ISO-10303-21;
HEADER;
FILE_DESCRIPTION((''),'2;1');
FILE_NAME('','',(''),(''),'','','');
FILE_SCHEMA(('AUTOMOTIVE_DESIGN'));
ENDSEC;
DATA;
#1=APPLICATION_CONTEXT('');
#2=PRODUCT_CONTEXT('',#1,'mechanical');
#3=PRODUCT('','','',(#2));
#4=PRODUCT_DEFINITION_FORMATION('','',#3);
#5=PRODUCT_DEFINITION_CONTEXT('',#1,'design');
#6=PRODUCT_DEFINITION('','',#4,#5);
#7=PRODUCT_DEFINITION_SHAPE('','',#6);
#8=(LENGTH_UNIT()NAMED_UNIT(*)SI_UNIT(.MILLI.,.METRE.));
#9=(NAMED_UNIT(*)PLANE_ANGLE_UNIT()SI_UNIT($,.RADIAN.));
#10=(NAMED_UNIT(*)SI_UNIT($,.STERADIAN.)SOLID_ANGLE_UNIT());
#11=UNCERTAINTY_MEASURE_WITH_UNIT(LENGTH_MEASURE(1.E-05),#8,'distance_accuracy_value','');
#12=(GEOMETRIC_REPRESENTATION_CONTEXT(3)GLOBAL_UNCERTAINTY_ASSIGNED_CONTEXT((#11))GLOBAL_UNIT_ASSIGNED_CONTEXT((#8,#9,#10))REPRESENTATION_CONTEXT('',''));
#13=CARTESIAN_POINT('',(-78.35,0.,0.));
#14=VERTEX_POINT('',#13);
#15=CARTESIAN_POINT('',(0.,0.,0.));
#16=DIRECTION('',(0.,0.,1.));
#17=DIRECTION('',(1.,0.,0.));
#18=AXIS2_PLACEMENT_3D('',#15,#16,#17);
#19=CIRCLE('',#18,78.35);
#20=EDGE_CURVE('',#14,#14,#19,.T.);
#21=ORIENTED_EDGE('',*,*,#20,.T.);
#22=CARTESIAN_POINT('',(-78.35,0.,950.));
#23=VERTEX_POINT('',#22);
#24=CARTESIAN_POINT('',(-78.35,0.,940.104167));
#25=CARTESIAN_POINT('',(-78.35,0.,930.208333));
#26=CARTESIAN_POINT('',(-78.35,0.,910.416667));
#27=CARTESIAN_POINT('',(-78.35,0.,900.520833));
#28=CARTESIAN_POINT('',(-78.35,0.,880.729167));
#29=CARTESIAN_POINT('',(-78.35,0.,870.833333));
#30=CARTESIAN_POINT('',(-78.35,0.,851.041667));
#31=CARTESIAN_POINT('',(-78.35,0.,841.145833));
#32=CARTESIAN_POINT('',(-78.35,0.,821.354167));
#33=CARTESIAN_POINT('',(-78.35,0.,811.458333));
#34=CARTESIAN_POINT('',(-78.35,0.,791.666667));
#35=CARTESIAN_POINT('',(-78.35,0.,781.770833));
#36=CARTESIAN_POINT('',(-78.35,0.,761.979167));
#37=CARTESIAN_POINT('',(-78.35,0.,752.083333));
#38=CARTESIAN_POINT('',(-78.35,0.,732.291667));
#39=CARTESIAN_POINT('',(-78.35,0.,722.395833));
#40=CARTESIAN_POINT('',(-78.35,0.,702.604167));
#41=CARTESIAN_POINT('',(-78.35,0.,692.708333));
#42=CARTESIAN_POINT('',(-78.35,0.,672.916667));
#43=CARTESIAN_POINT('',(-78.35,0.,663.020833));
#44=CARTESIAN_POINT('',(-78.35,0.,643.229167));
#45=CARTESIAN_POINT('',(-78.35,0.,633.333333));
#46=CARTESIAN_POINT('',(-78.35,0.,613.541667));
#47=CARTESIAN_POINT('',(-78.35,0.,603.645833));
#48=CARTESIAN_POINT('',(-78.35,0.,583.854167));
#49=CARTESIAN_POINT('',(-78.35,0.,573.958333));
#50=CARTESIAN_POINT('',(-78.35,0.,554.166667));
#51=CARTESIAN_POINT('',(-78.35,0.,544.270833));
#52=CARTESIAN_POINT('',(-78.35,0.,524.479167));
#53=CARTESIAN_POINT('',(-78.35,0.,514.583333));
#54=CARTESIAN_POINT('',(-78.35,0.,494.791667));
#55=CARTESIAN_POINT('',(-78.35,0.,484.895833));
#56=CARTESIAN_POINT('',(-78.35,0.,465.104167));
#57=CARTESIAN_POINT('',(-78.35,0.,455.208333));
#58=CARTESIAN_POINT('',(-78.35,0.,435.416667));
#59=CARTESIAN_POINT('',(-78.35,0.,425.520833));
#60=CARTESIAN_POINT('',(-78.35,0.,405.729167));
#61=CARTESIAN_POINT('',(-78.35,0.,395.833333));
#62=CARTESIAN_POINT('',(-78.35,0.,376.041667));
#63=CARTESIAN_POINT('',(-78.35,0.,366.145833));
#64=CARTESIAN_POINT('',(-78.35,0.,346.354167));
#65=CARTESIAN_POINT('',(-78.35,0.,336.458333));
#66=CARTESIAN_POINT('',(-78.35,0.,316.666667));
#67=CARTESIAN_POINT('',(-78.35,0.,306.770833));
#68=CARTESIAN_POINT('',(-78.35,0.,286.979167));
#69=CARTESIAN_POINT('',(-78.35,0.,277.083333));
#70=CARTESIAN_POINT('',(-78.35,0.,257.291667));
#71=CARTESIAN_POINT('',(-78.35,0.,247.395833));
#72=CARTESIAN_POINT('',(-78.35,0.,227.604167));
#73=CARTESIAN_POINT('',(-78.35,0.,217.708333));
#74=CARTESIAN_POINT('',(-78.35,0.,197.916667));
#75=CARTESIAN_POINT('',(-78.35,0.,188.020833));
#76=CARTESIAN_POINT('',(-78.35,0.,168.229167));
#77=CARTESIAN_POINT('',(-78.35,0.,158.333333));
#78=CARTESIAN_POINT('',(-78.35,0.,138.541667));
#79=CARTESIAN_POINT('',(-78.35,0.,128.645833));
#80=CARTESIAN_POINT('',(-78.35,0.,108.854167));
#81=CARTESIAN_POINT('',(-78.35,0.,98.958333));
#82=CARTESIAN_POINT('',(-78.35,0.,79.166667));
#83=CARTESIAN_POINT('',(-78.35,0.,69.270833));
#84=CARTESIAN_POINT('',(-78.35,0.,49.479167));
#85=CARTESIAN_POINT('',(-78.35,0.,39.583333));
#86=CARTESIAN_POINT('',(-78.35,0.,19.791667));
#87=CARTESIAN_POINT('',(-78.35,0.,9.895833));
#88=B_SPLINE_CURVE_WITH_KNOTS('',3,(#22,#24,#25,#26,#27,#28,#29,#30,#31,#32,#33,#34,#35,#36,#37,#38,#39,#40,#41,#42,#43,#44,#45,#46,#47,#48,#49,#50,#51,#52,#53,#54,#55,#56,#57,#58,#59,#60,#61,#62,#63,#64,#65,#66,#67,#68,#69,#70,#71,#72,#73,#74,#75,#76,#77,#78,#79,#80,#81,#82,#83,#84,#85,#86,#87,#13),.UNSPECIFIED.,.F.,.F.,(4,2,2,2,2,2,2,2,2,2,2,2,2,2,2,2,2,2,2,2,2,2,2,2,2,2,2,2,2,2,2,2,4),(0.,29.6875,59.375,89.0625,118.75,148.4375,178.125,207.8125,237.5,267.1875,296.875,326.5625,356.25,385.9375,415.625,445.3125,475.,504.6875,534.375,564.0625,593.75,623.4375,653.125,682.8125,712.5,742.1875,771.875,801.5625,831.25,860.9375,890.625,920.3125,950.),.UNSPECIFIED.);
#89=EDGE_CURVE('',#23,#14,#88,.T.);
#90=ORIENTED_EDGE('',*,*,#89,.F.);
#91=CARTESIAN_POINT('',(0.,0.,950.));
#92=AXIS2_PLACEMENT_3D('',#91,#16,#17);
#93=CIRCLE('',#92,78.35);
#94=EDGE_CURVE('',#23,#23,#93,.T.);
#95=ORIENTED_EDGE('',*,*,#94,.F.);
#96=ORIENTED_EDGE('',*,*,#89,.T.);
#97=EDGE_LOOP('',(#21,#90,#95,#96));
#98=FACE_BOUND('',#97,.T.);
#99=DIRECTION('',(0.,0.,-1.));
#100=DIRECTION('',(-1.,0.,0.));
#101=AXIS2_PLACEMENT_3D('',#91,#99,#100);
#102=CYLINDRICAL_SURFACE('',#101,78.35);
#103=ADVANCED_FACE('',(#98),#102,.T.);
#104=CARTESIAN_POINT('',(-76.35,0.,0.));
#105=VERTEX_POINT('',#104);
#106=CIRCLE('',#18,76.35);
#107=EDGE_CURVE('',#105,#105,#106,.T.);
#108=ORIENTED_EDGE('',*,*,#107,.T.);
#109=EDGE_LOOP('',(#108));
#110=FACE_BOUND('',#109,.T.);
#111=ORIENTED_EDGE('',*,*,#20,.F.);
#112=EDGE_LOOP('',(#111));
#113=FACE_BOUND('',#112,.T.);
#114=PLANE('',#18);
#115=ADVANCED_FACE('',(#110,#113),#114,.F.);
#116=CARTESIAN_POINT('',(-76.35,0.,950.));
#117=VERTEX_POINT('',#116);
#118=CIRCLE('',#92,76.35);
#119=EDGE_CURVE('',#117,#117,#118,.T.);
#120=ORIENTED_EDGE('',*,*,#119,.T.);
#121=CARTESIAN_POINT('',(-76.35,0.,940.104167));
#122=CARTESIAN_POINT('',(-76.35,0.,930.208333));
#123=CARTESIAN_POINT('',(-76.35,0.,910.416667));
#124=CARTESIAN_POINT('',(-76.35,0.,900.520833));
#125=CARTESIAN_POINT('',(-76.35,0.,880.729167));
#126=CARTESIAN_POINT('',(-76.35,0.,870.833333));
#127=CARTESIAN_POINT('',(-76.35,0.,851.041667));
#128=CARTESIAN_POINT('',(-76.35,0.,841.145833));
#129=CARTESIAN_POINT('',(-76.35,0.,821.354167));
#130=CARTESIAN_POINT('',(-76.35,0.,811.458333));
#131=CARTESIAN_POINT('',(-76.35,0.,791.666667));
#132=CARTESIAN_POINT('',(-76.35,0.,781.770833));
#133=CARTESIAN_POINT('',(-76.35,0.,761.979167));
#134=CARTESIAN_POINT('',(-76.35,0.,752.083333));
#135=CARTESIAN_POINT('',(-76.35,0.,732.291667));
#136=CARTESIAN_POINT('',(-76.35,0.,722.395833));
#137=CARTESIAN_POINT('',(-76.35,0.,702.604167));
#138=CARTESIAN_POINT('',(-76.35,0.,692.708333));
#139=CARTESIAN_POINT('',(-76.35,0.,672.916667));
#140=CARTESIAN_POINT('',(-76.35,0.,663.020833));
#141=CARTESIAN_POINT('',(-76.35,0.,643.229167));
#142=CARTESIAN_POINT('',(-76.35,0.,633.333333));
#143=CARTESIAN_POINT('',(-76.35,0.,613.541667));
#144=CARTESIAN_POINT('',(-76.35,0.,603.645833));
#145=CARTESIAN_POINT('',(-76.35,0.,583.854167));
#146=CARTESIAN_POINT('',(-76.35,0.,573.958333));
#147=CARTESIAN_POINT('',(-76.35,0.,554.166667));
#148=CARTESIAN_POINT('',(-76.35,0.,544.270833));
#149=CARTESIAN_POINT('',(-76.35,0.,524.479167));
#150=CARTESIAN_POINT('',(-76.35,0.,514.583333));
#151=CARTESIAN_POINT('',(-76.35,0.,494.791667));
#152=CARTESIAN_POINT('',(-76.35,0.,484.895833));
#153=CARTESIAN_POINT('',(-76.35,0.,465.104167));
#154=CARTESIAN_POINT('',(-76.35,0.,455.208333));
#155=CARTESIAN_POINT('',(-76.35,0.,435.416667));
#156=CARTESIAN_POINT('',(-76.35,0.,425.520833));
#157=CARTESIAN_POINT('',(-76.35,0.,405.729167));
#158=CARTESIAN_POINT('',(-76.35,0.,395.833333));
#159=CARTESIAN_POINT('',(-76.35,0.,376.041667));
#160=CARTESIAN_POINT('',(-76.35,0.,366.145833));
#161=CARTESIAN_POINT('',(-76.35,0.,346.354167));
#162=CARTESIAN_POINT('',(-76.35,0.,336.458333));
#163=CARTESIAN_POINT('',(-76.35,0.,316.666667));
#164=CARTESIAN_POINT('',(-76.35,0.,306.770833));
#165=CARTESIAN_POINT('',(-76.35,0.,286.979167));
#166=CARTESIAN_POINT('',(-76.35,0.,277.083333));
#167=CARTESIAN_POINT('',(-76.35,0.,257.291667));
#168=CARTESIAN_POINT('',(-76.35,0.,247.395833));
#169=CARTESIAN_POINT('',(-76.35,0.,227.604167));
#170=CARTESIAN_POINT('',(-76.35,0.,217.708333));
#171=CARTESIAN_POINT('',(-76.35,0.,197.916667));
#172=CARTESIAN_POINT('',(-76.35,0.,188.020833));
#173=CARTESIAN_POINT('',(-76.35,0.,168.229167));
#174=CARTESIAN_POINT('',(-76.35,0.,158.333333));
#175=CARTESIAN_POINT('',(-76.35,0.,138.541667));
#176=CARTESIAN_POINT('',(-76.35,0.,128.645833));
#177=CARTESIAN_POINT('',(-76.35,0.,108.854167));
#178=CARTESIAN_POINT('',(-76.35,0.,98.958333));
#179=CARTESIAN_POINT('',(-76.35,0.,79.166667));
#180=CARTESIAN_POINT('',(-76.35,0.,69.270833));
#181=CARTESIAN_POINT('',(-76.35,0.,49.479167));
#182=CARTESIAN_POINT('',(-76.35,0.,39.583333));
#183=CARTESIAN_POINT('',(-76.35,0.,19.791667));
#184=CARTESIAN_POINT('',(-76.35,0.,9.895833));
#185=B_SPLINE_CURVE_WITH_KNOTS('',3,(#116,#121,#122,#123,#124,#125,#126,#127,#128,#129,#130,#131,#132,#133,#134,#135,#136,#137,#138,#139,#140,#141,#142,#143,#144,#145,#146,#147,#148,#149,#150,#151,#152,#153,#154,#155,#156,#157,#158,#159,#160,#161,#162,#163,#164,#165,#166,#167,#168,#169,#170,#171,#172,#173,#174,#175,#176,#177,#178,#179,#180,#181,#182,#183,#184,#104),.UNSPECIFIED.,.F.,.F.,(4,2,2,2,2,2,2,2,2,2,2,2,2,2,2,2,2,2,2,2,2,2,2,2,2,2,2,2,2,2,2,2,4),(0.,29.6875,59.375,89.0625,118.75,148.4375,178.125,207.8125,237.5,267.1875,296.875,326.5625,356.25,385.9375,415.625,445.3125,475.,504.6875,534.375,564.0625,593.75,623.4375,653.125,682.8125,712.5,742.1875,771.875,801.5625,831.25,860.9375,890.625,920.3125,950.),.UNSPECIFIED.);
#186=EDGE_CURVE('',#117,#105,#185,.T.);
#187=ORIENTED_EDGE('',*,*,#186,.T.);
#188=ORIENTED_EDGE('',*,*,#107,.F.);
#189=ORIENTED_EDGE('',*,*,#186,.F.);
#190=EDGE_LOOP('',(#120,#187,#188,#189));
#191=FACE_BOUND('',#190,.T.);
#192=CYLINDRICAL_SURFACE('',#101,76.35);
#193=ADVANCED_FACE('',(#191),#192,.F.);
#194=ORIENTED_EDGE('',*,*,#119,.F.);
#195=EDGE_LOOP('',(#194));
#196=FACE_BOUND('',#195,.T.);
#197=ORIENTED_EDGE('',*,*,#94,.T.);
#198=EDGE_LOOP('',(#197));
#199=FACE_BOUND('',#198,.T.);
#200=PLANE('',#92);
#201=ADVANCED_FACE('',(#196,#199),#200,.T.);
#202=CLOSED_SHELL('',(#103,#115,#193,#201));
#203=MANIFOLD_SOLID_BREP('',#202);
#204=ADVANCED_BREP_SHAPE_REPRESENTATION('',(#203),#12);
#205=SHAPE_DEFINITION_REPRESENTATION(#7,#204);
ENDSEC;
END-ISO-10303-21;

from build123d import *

# Parameters (mm, degrees)
SKETCH1_R           = 78.35
SKETCH1_R_2         = 76.35
BOSS_EXTRUDE1_DEPTH = 950


with BuildPart() as part:
    # Sketch1 → Boss-Extrude1 (new body)
    with BuildSketch(Plane.XY):
        with Locations(Location((0, 0, 0), (0, 0, 180))):
            Circle(SKETCH1_R)
        with Locations(Location((0, 0, 0), (0, 0, 180))):
            Circle(SKETCH1_R_2, mode=Mode.SUBTRACT)
    extrude(amount=BOSS_EXTRUDE1_DEPTH)


solid = part.part
